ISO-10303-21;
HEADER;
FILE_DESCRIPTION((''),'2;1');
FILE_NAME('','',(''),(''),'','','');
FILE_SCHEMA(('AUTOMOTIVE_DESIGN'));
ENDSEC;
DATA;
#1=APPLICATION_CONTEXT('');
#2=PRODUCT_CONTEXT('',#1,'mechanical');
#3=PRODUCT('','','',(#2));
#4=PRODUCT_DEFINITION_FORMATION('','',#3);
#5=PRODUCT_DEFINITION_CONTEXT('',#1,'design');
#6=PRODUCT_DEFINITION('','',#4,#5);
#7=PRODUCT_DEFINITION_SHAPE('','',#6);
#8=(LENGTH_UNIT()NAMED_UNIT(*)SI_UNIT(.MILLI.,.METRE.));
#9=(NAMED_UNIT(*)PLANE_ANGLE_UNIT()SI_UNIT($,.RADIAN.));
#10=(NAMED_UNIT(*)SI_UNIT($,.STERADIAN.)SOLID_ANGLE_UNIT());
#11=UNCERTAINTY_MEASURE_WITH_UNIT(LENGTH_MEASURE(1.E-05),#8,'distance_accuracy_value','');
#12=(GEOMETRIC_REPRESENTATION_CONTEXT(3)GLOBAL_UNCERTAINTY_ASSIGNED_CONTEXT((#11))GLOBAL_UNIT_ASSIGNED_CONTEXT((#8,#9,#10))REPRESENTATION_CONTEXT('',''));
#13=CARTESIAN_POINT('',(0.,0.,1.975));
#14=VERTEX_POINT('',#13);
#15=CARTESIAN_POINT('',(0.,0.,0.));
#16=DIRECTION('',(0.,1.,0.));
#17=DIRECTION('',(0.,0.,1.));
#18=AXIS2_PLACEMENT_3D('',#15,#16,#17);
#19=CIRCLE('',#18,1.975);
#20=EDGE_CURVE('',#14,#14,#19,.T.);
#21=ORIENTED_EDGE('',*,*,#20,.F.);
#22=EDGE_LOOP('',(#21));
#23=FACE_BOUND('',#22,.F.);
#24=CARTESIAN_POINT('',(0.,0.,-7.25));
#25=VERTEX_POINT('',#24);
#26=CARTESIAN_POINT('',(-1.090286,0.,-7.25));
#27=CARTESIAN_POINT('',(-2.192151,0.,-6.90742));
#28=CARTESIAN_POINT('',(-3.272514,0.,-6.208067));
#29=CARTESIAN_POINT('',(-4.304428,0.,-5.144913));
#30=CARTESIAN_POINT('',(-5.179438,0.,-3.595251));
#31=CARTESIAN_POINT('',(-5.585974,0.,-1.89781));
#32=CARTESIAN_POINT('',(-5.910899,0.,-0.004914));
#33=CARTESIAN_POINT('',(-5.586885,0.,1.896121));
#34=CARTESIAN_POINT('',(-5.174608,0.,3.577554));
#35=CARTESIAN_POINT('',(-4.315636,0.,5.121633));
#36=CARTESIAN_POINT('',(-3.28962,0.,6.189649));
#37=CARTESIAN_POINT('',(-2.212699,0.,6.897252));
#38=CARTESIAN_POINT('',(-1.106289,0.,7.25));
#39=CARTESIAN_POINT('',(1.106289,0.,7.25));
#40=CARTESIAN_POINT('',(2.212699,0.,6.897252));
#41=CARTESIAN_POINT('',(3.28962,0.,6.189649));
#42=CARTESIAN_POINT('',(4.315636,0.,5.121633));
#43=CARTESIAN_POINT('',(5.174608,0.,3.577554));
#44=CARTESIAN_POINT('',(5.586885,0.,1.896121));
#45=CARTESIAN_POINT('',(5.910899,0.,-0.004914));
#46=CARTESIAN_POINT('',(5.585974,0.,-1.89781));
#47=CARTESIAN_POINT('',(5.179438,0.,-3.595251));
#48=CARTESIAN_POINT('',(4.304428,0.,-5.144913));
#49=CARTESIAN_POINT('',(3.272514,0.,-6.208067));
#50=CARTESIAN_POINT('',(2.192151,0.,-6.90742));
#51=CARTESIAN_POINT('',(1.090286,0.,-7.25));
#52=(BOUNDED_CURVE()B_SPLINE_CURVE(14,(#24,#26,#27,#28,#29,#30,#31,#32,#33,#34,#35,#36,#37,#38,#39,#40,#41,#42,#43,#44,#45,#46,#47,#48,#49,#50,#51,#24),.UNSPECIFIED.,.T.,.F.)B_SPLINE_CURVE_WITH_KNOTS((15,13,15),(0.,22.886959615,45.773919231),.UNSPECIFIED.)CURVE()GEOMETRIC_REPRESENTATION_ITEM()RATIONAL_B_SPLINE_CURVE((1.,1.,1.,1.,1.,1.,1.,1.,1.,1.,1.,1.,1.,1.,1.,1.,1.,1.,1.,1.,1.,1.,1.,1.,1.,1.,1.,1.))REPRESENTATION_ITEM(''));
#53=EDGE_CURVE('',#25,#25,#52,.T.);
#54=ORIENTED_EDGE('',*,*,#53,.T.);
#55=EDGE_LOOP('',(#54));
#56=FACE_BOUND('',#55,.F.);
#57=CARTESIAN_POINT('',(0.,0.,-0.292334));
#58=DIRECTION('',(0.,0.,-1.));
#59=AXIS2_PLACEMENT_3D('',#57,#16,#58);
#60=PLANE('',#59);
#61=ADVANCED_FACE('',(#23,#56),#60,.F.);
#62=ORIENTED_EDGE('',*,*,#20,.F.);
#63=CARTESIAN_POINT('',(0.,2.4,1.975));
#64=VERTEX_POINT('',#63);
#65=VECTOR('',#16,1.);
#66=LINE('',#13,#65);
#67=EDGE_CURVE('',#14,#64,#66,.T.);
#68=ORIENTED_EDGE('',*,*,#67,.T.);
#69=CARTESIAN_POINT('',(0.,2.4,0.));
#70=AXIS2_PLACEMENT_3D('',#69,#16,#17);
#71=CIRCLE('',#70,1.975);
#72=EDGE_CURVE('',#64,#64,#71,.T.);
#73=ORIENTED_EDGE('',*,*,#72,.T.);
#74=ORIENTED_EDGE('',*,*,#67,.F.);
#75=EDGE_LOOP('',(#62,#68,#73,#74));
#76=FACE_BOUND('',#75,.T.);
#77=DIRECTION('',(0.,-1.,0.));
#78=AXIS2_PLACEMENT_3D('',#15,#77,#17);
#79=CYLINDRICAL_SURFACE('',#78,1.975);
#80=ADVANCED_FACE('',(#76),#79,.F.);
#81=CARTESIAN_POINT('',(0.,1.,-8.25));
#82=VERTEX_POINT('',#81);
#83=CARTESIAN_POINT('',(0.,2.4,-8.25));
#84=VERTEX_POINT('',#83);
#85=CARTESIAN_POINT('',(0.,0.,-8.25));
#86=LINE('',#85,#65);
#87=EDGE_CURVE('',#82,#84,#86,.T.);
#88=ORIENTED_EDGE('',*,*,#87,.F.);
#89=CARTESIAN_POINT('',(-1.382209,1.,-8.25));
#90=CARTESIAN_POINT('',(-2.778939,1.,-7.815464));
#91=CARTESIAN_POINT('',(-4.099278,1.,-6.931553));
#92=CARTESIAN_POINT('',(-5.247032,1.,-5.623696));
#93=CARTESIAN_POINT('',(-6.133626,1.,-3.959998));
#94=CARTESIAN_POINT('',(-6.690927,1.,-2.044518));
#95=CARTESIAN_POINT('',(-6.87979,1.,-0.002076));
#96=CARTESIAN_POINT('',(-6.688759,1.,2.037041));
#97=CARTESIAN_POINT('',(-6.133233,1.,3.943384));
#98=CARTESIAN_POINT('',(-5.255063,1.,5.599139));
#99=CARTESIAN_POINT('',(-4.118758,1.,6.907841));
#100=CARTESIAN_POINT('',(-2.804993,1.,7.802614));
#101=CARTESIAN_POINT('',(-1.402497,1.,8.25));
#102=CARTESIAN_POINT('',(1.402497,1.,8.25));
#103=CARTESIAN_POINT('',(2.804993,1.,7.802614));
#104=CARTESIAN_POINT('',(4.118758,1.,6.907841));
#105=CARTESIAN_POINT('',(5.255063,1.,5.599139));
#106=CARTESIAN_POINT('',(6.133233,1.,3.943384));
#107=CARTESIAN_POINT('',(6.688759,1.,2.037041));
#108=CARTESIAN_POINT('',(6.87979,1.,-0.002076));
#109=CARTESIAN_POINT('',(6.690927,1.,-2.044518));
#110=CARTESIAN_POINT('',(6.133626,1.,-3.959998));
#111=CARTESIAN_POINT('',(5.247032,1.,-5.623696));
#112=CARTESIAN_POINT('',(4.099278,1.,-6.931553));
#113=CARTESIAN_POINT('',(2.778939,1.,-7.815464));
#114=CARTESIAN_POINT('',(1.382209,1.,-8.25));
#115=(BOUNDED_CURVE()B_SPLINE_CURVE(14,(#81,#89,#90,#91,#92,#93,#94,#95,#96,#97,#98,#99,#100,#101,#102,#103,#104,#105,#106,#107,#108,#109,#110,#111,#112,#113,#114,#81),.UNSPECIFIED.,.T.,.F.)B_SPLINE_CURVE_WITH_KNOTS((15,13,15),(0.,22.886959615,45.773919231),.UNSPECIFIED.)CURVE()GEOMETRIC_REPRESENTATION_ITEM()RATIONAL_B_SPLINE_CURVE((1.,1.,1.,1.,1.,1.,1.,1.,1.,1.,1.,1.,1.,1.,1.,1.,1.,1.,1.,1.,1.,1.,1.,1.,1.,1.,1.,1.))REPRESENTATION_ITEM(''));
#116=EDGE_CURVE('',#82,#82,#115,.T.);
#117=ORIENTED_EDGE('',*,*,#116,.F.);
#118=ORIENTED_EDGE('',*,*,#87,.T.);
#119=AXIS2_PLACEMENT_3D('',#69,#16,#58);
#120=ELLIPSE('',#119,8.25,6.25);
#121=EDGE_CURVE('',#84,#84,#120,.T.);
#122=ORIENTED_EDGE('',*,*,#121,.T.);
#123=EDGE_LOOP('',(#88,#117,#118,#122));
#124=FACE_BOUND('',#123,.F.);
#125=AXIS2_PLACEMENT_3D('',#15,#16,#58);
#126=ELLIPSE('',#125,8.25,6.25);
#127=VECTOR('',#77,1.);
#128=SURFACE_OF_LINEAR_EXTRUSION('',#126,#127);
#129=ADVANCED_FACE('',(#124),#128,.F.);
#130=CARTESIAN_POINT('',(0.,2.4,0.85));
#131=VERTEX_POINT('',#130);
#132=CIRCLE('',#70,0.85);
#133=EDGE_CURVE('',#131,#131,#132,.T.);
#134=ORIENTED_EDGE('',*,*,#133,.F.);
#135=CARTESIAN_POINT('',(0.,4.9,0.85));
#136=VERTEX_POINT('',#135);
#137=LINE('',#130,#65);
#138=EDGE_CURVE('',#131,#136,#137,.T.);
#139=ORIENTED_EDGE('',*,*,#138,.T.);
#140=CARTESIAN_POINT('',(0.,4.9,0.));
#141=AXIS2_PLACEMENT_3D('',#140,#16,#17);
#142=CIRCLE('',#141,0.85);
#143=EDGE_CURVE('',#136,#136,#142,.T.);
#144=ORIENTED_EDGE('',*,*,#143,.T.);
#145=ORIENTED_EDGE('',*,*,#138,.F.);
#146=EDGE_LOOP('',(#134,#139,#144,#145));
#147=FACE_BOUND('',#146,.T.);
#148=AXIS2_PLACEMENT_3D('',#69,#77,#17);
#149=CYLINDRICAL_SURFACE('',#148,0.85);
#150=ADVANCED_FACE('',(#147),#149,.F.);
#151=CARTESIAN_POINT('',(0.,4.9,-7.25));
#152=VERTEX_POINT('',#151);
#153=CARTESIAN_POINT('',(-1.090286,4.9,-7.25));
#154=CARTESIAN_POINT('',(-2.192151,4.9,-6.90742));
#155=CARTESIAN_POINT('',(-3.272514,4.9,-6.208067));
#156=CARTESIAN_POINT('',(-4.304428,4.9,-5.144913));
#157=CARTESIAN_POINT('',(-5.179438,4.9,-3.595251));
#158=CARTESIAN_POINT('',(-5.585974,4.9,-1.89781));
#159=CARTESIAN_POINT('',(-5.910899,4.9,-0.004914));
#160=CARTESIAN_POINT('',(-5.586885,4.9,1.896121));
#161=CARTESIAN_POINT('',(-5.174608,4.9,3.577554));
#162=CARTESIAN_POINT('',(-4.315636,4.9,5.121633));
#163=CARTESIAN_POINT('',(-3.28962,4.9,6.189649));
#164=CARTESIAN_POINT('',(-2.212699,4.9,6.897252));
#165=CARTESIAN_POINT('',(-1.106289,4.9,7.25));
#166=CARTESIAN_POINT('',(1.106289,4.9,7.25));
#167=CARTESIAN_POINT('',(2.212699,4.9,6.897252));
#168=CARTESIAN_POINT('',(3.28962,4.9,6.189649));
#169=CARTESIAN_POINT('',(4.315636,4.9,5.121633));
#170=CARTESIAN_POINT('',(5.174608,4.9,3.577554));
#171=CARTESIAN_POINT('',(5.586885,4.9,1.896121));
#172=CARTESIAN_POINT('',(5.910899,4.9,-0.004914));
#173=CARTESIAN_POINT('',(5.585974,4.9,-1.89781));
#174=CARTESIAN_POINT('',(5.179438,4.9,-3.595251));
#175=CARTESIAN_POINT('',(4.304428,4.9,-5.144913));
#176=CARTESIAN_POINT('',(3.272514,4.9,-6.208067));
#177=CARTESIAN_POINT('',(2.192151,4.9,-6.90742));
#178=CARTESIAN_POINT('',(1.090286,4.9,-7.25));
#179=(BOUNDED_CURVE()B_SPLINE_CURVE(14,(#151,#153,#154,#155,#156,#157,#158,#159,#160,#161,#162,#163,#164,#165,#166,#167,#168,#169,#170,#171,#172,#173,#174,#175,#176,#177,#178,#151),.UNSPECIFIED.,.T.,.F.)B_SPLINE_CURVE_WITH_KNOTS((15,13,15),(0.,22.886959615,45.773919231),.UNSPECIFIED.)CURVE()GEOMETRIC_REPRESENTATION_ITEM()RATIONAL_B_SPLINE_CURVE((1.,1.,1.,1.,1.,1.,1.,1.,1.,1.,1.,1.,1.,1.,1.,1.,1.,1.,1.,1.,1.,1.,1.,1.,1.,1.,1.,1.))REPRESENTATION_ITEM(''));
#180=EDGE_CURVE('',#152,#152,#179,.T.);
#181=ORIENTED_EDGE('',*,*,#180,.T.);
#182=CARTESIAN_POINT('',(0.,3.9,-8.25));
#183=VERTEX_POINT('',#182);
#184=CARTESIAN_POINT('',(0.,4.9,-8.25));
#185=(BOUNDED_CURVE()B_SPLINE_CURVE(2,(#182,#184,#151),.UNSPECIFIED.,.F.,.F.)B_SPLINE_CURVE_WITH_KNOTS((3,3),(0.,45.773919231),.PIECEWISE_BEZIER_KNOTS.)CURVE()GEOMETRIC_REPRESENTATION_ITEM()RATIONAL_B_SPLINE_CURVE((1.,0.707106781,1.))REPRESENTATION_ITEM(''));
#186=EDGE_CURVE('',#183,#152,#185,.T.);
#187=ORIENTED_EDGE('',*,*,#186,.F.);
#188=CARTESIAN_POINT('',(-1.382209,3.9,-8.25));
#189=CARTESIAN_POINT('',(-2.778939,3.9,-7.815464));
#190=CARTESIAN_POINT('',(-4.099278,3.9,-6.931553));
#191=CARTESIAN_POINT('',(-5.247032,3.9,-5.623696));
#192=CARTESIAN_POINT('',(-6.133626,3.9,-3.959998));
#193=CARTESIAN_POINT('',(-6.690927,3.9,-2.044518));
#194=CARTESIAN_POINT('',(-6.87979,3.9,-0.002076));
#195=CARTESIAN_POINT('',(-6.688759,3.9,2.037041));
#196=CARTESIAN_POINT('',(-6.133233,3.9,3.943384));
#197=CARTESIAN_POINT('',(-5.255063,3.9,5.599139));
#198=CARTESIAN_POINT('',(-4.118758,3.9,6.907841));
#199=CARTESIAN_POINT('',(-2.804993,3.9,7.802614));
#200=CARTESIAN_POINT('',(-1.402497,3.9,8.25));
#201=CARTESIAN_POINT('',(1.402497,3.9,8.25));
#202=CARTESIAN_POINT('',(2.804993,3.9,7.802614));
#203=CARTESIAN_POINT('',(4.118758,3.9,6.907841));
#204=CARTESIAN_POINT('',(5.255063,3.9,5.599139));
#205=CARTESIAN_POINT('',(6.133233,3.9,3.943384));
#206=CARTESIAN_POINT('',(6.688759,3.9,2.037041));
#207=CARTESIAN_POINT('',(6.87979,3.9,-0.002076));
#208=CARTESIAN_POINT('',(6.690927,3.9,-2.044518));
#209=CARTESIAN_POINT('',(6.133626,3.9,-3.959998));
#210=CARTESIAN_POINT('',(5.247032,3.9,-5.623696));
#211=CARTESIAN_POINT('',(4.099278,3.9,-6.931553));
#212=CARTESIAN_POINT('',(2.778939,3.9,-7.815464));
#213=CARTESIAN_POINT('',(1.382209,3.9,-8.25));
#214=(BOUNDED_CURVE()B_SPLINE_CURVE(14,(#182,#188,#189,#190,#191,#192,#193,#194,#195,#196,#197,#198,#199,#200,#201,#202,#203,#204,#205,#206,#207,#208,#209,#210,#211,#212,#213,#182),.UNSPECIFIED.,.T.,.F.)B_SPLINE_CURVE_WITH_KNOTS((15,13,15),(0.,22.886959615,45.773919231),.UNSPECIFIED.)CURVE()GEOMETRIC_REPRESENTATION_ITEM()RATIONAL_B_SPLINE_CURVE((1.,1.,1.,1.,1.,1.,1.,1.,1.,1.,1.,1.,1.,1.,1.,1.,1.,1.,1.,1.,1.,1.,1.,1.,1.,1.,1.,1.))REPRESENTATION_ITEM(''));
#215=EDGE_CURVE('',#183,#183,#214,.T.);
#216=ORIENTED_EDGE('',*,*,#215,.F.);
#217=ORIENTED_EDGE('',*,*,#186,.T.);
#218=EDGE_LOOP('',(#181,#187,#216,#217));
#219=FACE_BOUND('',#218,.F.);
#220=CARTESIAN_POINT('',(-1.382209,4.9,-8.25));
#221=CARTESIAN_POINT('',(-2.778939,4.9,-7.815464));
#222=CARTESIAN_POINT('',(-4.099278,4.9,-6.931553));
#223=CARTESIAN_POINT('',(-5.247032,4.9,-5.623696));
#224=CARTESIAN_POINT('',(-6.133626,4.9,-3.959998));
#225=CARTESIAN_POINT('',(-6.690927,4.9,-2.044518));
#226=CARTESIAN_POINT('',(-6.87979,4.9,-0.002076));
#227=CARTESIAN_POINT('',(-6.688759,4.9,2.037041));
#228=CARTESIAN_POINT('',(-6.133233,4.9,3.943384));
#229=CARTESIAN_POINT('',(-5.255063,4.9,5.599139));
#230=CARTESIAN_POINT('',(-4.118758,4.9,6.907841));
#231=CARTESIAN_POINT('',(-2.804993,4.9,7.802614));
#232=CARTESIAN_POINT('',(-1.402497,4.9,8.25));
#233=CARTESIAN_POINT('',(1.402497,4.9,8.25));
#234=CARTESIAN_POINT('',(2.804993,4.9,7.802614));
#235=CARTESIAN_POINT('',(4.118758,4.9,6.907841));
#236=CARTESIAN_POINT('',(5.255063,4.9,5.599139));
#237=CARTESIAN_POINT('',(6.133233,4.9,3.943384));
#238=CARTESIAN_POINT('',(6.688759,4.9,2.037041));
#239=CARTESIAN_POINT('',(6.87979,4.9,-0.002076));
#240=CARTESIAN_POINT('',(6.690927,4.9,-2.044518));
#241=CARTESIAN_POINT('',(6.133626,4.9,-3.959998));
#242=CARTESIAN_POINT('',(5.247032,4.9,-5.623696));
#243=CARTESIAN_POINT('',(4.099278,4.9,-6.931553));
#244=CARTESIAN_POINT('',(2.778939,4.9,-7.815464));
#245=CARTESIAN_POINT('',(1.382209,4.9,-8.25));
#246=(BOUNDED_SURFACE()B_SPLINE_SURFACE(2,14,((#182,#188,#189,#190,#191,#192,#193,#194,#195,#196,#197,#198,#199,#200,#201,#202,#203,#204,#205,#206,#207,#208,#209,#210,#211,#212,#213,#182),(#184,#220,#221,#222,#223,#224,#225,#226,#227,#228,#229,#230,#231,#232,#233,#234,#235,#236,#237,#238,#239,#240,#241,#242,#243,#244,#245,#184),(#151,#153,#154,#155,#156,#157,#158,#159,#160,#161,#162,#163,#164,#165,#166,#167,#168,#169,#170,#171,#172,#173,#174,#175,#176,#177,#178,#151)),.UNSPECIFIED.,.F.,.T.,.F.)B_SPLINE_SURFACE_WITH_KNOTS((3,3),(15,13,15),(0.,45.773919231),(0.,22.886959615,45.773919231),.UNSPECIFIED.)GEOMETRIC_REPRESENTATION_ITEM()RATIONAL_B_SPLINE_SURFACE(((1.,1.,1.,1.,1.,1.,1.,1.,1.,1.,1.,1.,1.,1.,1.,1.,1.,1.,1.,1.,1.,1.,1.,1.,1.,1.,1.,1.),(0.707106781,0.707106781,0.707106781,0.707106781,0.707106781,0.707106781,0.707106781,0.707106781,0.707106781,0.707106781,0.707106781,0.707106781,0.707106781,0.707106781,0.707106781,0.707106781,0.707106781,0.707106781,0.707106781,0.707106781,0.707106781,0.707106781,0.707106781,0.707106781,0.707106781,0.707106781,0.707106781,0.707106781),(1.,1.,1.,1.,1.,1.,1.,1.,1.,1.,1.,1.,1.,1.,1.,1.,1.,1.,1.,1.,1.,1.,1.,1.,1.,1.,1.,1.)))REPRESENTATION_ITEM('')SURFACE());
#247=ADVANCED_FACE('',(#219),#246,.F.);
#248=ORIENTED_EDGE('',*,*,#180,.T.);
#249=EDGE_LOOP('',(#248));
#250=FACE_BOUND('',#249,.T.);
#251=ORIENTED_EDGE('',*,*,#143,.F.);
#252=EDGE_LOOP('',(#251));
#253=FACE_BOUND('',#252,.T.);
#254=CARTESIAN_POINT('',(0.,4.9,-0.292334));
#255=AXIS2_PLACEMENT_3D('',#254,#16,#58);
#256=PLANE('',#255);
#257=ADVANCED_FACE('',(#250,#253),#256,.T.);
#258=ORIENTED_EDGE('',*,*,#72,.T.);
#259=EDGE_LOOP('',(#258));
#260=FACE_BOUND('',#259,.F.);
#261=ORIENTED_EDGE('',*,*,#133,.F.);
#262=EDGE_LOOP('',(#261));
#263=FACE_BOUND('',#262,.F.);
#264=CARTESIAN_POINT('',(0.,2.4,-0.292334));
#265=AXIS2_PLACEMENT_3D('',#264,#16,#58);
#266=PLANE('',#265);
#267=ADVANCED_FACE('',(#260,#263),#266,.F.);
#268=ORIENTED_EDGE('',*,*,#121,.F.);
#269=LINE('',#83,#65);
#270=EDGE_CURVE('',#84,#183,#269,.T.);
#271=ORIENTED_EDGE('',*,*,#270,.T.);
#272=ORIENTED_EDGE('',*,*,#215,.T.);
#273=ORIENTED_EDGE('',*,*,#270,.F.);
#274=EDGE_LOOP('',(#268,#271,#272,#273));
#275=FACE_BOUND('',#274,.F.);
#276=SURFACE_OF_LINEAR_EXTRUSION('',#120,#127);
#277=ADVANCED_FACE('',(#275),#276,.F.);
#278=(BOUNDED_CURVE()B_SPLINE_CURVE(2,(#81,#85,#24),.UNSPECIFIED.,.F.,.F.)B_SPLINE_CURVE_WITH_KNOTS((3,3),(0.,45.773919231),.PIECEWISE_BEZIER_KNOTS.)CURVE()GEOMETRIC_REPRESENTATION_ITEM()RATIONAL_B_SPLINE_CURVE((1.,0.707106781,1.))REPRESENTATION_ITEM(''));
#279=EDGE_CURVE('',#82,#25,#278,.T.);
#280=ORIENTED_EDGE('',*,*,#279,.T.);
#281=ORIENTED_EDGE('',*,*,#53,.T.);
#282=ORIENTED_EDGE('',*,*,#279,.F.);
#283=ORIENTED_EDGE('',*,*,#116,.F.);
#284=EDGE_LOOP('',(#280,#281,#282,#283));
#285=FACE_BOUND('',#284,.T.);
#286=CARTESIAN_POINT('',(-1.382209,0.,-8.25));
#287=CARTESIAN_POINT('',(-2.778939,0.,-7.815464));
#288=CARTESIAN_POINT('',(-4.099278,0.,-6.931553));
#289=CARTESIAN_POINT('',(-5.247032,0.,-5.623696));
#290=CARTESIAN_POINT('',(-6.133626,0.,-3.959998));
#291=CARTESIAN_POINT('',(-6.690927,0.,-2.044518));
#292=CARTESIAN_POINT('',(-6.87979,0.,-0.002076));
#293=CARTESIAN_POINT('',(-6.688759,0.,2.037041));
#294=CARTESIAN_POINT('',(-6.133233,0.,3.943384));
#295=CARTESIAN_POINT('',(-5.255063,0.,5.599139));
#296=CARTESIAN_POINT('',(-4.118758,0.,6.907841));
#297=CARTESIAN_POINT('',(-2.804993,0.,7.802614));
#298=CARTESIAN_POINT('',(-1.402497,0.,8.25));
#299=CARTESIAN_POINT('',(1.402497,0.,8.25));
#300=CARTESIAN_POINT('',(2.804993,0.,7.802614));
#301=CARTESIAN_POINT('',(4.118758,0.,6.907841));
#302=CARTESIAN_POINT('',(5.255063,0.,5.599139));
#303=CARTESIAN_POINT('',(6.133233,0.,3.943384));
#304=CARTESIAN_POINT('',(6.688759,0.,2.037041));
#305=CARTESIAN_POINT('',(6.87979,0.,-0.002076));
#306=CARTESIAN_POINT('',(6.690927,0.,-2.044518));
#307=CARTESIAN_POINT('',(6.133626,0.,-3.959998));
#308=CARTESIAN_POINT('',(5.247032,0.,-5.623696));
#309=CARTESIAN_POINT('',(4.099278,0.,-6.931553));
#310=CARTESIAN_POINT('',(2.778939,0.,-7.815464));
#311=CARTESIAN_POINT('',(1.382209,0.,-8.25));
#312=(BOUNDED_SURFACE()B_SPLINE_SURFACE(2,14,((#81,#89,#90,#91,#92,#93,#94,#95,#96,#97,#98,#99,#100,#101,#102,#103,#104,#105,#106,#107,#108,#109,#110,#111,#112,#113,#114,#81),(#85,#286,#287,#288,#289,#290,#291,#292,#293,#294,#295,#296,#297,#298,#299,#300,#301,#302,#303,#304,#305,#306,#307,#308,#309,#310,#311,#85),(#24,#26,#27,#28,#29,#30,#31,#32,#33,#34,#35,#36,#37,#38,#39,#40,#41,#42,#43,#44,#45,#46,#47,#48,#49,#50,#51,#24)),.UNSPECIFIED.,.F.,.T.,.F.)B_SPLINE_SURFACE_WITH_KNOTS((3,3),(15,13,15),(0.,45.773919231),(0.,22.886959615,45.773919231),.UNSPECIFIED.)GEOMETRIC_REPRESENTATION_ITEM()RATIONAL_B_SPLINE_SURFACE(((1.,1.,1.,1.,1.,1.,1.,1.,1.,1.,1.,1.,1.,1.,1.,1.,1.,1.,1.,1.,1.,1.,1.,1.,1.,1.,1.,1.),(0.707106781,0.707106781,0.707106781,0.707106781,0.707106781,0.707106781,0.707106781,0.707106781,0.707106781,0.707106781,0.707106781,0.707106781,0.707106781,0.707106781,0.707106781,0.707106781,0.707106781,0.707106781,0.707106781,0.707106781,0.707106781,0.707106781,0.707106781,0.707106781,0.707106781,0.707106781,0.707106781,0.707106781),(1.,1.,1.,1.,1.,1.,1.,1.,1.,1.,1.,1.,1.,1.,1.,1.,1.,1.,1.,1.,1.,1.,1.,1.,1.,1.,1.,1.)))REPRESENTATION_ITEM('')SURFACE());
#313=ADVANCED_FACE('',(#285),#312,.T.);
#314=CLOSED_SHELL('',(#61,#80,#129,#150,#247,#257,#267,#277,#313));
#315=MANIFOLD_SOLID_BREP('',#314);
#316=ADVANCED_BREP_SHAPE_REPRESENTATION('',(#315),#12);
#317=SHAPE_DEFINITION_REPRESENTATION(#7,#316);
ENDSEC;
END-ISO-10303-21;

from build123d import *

# Parameters (mm, degrees)
SKETCH1_RX          = 8.25
SKETCH1_RY          = 6.25
SKETCH1_R           = 1.975
BOSS_EXTRUDE1_DEPTH = 2.4
SKETCH2_RX          = 8.25
SKETCH2_RY          = 6.25
SKETCH2_R           = 0.85
BOSS_EXTRUDE2_DEPTH = 2.5
FILLET1_R           = 1


with BuildPart() as part:
    # Sketch1 → Boss-Extrude1 (new body)
    with BuildSketch(Plane(origin=(0, 0, 0), x_dir=(1, 0, 0), z_dir=(0, 1, 0))):
        with Locations(Location((0, 0), (0, 0, 90))):
            Ellipse(SKETCH1_RX, SKETCH1_RY)
        with Locations(Location((0, 0, 0), (0, 0, 270))):
            Circle(SKETCH1_R, mode=Mode.SUBTRACT)
    extrude(amount=BOSS_EXTRUDE1_DEPTH)

    # Sketch2 → Boss-Extrude2 (add)
    with BuildSketch(Plane(origin=(0, 2.4, 0), x_dir=(1, 0, 0), z_dir=(0, 1, 0))):
        with Locations(Location((0, 0), (0, 0, 90))):
            Ellipse(SKETCH2_RX, SKETCH2_RY)
        with Locations(Location((0, 0, 0), (0, 0, 270))):
            Circle(SKETCH2_R, mode=Mode.SUBTRACT)
    extrude(amount=BOSS_EXTRUDE2_DEPTH)

    # Fillet1
    fillet1_edges = [part.edges().sort_by_distance(p)[0] for p in [
        (0.001952715, 4.9, 8.249999597),
        (0.001952715, 0, 8.249999597),
    ]]
    fillet(fillet1_edges, radius=FILLET1_R)


solid = part.part
